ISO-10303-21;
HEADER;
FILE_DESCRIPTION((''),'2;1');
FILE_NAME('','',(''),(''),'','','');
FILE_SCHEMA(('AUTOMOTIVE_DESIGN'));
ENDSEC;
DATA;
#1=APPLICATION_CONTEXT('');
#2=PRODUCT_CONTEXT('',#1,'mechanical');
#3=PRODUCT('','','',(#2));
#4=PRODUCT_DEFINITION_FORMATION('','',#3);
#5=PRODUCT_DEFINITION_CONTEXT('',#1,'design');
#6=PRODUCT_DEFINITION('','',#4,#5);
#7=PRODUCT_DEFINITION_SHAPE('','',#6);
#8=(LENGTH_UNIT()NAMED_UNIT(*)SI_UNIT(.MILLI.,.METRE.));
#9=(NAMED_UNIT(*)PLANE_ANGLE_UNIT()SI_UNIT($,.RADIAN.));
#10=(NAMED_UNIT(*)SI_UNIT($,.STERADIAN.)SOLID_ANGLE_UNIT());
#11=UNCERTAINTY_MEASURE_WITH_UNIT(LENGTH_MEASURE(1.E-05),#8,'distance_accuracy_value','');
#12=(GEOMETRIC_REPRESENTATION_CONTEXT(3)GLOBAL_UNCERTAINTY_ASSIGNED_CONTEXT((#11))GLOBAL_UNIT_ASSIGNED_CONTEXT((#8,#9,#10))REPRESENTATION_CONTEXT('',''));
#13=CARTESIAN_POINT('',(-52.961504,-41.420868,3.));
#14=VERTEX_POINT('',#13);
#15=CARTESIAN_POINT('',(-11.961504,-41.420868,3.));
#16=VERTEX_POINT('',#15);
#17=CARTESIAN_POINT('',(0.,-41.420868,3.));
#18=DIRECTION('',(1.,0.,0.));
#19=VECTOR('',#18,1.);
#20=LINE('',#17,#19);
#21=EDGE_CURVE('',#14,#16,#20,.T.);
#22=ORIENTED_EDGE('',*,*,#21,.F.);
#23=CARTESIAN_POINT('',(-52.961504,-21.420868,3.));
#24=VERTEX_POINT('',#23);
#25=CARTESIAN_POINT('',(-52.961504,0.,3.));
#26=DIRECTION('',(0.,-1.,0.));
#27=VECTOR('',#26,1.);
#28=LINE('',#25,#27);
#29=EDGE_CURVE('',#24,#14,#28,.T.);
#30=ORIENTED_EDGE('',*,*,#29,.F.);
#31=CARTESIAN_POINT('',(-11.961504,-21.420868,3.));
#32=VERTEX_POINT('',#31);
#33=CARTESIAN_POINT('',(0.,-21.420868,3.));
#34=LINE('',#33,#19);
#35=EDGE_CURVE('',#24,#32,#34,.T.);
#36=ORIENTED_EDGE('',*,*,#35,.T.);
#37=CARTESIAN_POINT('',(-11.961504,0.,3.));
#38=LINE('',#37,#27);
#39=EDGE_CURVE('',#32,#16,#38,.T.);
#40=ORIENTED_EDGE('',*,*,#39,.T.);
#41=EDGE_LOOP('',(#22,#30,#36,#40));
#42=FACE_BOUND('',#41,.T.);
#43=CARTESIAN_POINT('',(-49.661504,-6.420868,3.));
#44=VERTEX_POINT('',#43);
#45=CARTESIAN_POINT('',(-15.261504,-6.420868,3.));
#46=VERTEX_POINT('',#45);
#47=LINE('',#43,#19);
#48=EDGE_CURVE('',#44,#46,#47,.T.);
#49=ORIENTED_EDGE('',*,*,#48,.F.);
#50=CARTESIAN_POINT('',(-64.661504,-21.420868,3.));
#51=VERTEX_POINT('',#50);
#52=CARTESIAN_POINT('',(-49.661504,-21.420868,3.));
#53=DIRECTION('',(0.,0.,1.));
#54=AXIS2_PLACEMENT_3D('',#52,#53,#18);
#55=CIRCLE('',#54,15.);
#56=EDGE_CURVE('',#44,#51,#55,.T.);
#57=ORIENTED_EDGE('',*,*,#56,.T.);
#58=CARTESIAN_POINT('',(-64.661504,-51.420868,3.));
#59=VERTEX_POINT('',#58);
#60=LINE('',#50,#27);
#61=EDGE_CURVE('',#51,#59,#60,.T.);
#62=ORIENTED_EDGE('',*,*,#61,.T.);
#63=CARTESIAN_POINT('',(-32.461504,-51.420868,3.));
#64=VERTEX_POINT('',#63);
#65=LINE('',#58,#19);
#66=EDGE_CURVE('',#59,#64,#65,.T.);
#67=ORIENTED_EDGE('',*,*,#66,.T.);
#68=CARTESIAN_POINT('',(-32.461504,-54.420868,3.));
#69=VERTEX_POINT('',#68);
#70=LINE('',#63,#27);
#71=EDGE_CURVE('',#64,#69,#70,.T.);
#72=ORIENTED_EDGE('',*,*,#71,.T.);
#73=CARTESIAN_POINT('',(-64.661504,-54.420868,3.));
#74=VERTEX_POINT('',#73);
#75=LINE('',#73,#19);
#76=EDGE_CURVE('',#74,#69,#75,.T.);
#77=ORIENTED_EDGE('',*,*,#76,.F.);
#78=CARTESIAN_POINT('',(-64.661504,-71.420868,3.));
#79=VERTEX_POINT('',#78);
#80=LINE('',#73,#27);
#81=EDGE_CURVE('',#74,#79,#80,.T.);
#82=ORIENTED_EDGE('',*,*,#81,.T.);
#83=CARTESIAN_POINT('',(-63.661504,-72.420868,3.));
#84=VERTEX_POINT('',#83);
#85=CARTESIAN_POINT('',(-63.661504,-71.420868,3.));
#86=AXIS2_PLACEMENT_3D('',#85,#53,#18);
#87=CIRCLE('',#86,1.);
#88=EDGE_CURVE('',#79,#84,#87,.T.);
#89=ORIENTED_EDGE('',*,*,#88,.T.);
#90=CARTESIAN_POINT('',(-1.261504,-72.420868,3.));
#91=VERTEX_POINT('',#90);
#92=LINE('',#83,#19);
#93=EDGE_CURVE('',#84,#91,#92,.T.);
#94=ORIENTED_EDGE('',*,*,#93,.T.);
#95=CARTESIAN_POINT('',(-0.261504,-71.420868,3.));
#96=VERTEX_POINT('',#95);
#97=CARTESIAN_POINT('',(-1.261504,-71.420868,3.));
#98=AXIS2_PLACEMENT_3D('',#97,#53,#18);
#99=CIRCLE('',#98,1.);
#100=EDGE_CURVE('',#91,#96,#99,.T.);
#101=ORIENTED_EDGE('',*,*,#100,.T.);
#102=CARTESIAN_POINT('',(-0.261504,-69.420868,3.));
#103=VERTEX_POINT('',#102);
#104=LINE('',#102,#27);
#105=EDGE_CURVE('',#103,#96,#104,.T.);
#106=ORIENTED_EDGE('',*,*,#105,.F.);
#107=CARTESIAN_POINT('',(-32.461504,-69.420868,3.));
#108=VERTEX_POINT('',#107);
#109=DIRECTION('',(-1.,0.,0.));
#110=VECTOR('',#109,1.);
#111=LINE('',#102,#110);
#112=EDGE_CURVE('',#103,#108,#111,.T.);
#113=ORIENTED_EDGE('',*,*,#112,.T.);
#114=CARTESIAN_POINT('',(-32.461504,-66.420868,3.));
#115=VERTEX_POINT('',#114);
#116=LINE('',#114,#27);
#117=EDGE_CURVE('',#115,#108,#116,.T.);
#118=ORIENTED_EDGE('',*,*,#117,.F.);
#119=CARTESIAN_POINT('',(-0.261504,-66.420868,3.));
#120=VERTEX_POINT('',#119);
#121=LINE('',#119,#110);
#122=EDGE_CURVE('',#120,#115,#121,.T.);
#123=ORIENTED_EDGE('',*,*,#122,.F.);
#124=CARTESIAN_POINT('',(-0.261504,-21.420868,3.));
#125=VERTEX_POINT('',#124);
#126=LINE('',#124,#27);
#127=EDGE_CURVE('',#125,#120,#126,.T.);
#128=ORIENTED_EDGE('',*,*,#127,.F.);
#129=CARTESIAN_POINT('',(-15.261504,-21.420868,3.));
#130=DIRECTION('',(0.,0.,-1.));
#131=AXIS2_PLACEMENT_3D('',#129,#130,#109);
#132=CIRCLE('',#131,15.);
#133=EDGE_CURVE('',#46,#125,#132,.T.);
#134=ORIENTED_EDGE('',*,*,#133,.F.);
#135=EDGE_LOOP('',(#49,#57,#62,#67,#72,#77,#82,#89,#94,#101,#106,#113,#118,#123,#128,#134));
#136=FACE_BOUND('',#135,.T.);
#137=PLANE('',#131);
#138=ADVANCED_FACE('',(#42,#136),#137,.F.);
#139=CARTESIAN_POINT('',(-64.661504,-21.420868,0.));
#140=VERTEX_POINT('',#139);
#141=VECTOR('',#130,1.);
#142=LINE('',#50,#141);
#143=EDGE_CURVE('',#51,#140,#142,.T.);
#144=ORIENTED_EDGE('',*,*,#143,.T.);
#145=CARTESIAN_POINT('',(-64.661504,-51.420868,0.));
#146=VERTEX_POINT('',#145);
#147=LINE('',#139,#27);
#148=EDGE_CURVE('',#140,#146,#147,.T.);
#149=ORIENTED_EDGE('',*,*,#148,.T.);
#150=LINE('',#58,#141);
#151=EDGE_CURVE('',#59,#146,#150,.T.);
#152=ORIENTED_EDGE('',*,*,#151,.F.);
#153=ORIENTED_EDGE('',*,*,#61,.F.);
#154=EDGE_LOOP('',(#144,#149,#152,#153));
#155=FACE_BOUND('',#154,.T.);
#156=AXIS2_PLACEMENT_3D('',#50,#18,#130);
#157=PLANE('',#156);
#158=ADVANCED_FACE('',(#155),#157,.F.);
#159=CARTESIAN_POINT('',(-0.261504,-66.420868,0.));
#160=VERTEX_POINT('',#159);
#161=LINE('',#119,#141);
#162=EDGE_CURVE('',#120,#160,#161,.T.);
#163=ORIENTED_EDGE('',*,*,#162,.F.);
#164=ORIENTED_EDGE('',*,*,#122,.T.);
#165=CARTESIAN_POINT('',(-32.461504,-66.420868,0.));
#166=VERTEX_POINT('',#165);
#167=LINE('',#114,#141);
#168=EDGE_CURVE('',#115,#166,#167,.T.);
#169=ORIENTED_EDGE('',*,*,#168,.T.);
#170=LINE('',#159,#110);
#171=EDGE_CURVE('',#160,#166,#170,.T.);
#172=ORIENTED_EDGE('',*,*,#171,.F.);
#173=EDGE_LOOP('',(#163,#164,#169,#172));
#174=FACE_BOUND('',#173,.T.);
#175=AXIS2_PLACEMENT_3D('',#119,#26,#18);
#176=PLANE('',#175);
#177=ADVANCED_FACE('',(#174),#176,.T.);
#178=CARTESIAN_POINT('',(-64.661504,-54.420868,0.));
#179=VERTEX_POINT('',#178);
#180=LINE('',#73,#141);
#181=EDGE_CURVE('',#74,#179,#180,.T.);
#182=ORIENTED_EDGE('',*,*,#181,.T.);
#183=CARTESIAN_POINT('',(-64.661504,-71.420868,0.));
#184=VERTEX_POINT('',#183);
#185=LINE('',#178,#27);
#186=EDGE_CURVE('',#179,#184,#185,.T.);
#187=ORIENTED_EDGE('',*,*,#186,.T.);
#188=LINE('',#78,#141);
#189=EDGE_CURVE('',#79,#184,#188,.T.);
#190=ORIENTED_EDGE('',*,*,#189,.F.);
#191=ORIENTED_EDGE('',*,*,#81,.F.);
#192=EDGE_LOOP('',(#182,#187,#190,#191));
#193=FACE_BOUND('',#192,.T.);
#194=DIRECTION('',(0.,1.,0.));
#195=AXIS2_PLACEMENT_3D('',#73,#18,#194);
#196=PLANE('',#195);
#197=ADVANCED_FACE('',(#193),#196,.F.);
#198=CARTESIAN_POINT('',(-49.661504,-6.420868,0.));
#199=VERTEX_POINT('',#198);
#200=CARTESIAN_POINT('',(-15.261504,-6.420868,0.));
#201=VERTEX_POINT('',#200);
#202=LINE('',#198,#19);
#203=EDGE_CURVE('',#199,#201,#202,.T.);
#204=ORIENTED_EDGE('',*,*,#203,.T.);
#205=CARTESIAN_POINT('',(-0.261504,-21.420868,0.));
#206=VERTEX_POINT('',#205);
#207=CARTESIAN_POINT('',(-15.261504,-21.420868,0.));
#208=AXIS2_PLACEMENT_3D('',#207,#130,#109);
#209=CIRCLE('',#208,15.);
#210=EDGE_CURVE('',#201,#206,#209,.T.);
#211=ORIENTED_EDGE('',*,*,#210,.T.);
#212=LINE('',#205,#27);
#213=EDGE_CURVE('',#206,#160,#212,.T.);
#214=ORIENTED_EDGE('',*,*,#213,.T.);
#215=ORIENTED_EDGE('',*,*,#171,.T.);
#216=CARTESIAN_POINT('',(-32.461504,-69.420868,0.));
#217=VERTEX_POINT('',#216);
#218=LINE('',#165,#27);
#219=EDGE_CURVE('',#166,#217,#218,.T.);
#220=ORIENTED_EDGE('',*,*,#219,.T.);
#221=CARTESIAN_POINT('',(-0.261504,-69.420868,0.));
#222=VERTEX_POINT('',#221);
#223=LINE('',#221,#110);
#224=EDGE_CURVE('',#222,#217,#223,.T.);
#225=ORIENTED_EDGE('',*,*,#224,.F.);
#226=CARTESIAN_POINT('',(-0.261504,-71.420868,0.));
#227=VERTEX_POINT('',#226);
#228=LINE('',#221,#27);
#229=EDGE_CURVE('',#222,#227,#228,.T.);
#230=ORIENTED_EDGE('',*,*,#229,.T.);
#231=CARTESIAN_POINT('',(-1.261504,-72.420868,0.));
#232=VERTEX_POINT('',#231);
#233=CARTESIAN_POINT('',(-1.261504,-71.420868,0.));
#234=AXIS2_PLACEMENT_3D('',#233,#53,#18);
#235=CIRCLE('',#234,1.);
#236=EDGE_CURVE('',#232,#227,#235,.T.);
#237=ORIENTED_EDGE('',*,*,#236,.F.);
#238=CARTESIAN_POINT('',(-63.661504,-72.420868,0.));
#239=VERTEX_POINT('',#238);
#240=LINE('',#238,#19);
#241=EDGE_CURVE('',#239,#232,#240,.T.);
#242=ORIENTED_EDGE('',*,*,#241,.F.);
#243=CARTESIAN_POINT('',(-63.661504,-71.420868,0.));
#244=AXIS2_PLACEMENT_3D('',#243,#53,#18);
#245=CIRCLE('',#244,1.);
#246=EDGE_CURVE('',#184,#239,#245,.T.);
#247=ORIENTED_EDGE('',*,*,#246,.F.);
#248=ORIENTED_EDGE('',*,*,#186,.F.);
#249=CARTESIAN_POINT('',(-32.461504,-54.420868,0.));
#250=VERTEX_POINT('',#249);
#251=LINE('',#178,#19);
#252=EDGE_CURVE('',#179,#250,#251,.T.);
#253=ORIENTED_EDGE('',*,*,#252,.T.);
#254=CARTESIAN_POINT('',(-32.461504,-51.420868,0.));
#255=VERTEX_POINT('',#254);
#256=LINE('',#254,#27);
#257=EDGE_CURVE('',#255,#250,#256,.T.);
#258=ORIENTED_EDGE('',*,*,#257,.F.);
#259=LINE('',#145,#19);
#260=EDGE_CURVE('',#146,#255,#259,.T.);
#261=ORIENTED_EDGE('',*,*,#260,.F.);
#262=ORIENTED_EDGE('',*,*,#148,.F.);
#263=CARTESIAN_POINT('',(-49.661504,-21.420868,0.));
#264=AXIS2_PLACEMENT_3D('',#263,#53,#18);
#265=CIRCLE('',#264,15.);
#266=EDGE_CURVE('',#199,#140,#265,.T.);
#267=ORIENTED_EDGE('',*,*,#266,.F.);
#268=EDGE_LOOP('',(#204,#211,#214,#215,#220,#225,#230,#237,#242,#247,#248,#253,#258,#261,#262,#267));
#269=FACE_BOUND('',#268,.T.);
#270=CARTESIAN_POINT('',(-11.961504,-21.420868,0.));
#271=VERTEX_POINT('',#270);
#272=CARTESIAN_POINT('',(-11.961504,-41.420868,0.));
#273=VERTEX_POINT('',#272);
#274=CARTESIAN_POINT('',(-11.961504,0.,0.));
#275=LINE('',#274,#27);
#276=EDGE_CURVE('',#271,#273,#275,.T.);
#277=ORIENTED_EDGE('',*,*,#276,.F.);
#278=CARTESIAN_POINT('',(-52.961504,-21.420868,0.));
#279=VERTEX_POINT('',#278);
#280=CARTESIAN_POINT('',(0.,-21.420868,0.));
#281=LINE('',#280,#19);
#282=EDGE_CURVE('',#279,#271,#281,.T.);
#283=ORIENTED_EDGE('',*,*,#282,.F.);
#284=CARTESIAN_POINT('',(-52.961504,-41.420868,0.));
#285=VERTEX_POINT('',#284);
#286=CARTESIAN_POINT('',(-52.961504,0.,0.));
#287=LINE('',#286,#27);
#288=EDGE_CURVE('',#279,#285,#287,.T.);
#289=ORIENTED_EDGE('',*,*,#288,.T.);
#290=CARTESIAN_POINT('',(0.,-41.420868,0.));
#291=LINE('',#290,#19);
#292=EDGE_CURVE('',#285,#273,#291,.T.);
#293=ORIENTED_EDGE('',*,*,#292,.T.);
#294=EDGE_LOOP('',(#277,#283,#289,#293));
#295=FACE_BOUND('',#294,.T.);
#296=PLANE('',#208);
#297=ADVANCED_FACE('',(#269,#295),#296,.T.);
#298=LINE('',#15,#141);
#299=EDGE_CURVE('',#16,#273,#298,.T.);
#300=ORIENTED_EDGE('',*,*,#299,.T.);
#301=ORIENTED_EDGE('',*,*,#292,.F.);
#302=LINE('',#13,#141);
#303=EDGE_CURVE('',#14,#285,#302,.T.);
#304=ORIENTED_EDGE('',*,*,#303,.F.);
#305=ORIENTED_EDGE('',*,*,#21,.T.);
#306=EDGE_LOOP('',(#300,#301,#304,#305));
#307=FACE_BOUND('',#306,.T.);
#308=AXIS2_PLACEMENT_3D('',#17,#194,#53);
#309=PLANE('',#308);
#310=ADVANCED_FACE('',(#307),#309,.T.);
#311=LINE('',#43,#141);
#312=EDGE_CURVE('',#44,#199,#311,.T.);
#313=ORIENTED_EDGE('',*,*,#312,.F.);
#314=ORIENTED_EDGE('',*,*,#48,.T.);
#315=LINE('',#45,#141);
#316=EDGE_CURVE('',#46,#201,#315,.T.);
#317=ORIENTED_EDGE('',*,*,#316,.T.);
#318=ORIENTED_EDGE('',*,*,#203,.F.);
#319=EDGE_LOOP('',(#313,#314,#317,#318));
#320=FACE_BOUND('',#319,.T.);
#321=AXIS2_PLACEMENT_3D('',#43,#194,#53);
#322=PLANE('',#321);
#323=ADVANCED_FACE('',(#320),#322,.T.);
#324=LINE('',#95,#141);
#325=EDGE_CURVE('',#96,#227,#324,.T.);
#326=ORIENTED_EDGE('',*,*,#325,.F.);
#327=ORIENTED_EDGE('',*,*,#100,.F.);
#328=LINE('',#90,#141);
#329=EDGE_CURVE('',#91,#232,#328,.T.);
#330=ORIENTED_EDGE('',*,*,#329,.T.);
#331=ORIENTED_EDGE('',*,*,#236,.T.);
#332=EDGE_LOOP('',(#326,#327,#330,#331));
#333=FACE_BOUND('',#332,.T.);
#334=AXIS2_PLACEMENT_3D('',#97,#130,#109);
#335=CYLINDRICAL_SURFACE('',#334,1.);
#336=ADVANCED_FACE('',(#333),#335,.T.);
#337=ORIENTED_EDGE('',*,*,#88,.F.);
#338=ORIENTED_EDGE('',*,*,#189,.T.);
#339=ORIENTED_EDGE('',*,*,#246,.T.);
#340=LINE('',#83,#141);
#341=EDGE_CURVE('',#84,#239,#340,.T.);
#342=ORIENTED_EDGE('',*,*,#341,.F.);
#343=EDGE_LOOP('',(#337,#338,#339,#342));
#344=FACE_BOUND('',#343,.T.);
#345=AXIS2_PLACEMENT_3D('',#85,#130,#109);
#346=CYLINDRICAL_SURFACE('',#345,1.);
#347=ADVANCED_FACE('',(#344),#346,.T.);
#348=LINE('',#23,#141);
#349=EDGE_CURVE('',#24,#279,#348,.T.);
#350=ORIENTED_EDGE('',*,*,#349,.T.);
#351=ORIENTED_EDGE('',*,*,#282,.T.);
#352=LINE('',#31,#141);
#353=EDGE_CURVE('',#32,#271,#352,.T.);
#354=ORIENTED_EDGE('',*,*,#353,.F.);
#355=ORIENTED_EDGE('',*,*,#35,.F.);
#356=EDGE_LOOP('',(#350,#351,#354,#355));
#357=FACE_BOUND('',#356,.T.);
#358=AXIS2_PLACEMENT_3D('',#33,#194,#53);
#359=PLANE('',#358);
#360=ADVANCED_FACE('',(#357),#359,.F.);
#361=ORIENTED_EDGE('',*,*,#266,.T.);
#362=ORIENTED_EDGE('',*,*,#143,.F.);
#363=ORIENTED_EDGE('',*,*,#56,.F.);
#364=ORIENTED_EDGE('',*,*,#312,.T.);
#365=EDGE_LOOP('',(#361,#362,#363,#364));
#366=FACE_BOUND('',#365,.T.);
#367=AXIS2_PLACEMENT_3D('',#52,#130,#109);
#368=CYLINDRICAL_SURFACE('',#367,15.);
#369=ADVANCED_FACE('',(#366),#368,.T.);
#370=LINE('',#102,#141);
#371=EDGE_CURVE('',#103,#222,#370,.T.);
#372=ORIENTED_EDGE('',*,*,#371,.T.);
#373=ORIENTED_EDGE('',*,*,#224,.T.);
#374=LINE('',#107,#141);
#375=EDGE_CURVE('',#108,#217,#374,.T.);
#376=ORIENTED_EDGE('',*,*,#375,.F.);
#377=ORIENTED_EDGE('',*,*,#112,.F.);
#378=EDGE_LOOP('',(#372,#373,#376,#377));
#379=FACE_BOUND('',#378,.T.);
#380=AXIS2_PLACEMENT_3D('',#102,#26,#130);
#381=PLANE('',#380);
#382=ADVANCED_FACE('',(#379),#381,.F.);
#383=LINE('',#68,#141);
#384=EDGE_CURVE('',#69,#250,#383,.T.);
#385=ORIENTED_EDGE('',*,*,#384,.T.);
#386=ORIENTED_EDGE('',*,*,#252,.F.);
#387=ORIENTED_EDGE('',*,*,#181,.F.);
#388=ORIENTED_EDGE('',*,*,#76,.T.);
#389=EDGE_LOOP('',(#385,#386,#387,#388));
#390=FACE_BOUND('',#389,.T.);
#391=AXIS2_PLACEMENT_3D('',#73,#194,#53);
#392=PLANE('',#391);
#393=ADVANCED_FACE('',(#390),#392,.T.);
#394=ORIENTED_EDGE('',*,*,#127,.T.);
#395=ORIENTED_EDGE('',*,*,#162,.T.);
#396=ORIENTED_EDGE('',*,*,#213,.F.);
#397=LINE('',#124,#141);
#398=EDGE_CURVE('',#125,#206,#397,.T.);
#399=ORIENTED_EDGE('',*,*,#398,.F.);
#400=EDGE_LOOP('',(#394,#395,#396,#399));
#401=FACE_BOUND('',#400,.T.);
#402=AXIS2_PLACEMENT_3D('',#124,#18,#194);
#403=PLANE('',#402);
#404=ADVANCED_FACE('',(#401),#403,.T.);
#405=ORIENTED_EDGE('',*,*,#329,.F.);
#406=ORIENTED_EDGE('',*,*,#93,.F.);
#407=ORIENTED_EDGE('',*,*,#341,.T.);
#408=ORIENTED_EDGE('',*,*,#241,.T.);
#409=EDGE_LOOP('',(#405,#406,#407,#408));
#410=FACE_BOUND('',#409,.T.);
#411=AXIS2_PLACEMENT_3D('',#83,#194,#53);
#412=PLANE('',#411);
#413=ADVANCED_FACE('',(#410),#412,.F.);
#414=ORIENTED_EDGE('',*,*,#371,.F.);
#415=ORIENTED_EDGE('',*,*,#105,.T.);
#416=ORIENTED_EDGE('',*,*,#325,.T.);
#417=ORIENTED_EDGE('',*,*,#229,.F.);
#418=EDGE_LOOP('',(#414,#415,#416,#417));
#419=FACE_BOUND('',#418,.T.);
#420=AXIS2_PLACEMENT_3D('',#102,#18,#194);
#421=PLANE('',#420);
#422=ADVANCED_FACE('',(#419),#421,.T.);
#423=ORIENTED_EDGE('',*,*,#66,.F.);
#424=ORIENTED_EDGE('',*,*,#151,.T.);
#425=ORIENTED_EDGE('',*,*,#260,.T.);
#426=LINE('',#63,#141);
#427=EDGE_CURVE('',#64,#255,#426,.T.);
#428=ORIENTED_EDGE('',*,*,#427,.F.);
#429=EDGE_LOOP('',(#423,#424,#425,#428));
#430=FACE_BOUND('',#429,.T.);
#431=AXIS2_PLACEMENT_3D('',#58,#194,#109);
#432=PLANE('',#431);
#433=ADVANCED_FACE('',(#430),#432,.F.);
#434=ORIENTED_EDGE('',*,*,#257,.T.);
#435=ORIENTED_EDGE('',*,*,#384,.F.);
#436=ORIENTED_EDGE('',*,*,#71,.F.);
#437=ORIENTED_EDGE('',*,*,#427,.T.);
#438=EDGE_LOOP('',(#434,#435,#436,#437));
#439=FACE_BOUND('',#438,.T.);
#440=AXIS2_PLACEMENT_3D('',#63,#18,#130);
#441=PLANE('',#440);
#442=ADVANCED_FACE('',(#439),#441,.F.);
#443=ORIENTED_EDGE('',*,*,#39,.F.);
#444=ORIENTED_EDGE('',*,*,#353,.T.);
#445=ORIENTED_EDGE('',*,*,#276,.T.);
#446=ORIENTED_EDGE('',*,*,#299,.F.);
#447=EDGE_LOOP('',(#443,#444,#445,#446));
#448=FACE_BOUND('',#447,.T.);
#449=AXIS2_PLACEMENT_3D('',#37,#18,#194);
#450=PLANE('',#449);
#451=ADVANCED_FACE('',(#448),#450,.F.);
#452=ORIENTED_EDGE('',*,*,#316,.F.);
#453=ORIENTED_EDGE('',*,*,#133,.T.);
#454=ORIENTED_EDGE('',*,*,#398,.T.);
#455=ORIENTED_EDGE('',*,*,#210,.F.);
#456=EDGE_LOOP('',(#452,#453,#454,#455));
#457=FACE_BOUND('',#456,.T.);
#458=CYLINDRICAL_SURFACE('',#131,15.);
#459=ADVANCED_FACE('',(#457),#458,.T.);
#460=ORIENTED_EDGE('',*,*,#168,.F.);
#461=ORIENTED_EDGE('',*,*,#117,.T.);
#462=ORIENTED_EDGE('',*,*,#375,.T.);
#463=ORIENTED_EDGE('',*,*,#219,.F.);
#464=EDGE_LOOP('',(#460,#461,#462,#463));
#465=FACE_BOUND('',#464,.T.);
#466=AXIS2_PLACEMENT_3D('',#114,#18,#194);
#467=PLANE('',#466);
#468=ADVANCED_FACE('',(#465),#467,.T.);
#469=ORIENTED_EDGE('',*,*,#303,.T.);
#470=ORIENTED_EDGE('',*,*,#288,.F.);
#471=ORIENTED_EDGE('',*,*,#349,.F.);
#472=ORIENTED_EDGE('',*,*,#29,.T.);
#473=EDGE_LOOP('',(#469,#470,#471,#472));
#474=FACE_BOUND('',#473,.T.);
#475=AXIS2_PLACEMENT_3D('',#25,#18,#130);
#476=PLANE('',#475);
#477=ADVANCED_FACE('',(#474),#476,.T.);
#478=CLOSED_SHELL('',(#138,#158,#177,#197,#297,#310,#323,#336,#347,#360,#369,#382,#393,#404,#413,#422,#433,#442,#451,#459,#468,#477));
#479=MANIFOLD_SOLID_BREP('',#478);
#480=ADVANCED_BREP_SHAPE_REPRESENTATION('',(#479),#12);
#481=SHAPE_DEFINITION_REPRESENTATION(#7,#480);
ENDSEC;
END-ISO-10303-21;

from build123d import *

# Parameters (mm, degrees)
SKETCH1_W           = 41
SKETCH1_H           = 20
BOSS_EXTRUDE7_DEPTH = 3


with BuildPart() as part:
    # Sketch1 → Boss-Extrude7 (new body)
    with BuildSketch(Plane.XY):
        with BuildLine():
            Line((-49.661503554, -6.420867766), (-15.261503554, -6.420867766))
            ThreePointArc((-15.261503554, -6.420867766), (-4.654901836, -10.814266048), (-0.261503554, -21.420867766))
            Line((-0.261503554, -21.420867766), (-0.261503554, -66.420867766))
            Line((-0.261503554, -66.420867766), (-32.461503554, -66.420867766))
            Line((-32.461503554, -66.420867766), (-32.461503554, -69.420867766))
            Line((-32.461503554, -69.420867766), (-0.261503554, -69.420867766))
            Line((-0.261503554, -69.420867766), (-0.261503554, -71.420867766))
            ThreePointArc((-0.261503554, -71.420867766), (-0.554396773, -72.127974547), (-1.261503554, -72.420867766))
            Line((-1.261503554, -72.420867766), (-63.661503554, -72.420867766))
            ThreePointArc((-63.661503554, -72.420867766), (-64.368610335, -72.127974547), (-64.661503554, -71.420867766))
            Line((-64.661503554, -71.420867766), (-64.661503554, -54.420867766))
            Line((-64.661503554, -54.420867766), (-32.461503554, -54.420867766))
            Line((-32.461503554, -54.420867766), (-32.461503554, -51.420867766))
            Line((-32.461503554, -51.420867766), (-64.661503554, -51.420867766))
            Line((-64.661503554, -51.420867766), (-64.661503554, -21.420867766))
            ThreePointArc((-64.661503554, -21.420867766), (-60.268105272, -10.814266048), (-49.661503554, -6.420867766))
        make_face()
        with Locations((-32.461503554, -31.420867766)):
            Rectangle(SKETCH1_W, SKETCH1_H, mode=Mode.SUBTRACT)
    extrude(amount=BOSS_EXTRUDE7_DEPTH)


solid = part.part
